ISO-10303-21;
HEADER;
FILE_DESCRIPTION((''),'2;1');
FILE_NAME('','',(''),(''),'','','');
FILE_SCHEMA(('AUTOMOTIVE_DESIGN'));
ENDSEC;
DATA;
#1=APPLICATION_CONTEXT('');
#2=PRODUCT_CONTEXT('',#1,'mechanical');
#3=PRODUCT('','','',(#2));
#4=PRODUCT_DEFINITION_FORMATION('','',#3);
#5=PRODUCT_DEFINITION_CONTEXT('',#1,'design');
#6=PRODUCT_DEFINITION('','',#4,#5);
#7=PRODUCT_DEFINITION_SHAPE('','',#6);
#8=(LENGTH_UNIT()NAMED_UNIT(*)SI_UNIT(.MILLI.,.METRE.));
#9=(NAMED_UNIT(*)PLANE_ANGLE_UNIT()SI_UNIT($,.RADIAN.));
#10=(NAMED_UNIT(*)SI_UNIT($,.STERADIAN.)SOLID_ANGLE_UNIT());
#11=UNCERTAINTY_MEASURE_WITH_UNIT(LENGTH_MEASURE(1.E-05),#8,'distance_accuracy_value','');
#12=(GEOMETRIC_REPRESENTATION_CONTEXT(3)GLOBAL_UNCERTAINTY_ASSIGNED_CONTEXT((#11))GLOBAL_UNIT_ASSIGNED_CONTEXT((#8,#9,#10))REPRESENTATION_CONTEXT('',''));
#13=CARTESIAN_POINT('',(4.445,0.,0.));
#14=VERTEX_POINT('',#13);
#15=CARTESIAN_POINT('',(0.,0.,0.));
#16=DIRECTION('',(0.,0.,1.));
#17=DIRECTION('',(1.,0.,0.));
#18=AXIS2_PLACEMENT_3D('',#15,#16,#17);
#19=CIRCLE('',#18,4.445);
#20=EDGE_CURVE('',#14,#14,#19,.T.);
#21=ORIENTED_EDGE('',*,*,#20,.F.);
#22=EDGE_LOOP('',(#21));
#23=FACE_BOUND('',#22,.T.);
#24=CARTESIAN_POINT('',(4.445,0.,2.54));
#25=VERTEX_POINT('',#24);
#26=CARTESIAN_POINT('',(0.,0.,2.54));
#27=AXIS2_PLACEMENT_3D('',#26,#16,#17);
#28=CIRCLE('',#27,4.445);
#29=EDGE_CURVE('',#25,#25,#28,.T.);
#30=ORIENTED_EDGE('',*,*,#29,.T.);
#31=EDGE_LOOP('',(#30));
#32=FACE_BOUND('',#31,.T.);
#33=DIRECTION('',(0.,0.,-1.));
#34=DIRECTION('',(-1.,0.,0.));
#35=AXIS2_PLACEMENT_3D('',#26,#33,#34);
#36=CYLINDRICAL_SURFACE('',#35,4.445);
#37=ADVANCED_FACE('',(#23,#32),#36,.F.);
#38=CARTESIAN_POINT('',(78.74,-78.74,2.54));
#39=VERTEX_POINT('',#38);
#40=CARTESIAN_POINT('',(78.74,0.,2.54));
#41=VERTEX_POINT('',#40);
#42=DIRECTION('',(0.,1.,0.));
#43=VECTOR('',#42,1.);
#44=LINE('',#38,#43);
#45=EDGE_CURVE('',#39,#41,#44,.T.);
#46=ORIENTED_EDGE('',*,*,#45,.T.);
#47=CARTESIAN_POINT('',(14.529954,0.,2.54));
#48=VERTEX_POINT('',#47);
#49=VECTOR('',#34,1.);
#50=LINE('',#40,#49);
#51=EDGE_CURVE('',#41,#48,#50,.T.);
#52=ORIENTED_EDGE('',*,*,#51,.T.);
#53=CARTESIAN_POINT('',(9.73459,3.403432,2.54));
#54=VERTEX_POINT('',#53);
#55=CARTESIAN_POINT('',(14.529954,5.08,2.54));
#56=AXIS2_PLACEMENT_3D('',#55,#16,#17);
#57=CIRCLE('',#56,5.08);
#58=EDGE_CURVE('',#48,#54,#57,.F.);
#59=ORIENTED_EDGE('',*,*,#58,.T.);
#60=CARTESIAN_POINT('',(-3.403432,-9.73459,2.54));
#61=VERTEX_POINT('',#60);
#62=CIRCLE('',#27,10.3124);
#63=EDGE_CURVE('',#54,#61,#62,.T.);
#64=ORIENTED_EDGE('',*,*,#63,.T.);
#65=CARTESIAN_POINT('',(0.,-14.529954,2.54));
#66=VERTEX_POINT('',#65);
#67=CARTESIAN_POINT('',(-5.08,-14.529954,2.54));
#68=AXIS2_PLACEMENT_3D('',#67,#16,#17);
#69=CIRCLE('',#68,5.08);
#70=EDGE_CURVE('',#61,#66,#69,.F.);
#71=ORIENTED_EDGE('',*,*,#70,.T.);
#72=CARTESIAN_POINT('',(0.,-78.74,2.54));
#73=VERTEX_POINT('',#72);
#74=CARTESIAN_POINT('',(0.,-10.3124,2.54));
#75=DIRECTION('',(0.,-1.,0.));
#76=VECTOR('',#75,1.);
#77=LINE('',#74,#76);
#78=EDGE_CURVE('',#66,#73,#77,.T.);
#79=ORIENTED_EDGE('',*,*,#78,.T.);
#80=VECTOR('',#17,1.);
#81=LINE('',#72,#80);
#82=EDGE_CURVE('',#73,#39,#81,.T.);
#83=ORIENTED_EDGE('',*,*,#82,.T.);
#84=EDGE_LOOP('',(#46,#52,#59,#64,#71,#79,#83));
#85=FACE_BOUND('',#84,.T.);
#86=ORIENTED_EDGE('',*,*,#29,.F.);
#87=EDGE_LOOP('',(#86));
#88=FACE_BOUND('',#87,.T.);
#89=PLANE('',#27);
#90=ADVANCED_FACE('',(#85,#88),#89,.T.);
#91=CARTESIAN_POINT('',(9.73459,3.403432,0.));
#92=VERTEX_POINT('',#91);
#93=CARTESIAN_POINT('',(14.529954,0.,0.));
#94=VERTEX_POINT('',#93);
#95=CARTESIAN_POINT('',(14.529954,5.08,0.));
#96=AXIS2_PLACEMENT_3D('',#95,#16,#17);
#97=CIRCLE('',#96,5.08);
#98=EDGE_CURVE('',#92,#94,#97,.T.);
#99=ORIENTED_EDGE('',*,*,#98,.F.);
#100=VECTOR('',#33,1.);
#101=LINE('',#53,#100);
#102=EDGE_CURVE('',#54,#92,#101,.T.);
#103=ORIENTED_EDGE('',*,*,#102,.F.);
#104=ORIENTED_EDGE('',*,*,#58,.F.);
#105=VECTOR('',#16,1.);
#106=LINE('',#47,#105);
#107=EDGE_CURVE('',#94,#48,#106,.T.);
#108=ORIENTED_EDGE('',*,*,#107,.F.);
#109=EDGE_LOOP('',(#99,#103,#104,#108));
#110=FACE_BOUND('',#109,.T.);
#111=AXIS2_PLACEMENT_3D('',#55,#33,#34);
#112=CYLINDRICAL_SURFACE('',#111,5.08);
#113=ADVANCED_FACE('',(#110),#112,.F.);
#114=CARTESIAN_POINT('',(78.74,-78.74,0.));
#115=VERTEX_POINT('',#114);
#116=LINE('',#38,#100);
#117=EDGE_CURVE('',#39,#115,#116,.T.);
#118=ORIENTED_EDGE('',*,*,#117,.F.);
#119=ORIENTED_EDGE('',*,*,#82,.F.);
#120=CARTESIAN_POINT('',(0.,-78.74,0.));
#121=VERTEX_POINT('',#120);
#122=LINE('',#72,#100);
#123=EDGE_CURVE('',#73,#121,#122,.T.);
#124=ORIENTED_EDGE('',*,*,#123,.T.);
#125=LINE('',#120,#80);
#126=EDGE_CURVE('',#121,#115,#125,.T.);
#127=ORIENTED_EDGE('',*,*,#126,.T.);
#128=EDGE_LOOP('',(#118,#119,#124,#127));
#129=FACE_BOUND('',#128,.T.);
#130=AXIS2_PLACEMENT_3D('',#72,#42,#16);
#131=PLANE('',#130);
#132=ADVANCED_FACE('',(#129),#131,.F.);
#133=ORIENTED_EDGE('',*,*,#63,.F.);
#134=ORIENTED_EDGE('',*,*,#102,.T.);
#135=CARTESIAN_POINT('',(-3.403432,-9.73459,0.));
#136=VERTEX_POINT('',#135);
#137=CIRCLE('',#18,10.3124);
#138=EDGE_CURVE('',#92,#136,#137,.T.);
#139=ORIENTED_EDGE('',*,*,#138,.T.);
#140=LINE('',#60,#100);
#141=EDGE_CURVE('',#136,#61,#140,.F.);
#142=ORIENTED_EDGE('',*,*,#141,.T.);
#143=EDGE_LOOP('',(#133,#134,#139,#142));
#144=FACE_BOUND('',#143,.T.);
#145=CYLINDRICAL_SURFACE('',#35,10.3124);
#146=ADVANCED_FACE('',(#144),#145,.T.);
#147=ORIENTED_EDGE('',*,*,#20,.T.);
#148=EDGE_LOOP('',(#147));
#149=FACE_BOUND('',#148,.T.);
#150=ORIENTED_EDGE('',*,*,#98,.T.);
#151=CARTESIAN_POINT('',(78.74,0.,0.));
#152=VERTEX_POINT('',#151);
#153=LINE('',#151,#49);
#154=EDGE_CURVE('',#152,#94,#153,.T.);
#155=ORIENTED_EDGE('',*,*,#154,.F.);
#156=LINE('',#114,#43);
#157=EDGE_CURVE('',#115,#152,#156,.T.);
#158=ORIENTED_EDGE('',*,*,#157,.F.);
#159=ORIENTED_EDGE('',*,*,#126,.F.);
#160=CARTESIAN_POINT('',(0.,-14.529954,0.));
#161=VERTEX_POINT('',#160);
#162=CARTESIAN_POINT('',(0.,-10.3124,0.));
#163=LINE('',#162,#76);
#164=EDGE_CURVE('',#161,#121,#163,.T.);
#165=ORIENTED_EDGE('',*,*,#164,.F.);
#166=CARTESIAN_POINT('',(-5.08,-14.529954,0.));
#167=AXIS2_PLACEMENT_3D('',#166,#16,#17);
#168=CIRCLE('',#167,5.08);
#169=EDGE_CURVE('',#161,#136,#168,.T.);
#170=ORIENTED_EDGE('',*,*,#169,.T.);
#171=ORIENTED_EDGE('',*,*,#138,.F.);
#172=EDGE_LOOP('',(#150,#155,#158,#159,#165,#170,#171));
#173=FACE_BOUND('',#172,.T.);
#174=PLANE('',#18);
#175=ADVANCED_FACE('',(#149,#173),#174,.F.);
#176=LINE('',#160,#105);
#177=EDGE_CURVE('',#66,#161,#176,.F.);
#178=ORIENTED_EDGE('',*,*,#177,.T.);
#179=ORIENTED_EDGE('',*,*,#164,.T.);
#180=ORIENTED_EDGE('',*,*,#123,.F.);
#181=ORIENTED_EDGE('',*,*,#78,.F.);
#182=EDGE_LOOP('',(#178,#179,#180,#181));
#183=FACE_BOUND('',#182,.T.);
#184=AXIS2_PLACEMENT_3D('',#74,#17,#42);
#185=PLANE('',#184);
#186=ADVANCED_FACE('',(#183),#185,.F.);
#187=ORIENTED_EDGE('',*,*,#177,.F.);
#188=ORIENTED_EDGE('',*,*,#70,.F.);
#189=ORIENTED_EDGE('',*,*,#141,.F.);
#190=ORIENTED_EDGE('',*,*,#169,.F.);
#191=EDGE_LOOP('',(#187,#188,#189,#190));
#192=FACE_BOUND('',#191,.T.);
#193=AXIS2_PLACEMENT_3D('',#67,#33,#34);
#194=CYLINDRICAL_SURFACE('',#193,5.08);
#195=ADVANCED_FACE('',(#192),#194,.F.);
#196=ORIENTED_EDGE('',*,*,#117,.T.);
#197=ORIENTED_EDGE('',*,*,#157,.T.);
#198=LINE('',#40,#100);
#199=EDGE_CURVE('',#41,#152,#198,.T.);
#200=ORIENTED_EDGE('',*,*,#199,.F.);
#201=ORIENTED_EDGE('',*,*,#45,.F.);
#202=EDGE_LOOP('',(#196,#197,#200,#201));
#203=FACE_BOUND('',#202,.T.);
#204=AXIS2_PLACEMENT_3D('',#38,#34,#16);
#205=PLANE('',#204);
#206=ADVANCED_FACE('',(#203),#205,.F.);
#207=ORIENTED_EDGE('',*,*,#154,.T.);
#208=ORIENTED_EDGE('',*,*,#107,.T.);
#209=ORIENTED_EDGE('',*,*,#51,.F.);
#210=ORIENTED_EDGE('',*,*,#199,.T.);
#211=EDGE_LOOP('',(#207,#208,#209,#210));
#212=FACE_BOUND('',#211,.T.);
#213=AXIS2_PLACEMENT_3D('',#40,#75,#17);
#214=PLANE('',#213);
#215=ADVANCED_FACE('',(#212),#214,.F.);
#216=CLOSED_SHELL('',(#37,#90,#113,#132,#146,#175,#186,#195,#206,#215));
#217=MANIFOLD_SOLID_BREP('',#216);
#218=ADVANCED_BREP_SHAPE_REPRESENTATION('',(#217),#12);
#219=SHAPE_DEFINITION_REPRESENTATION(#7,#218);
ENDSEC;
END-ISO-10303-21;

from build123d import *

# Parameters (mm, degrees)
SKETCH1_R           = 4.445
BOSS_EXTRUDE1_DEPTH = 2.54
FILLET1_R           = 5.08


with BuildPart() as part:
    # Sketch1 → Boss-Extrude1 (new body)
    with BuildSketch(Plane.XY):
        with BuildLine():
            Line((0, -10.3124), (0, -78.74))
            Line((0, -78.74), (78.74, -78.74))
            Line((78.74, -78.74), (78.74, 0))
            Line((78.74, 0), (10.3124, 0))
            ThreePointArc((10.3124, 0), (-7.29196797, 7.29196797), (0, -10.3124))
        make_face()
        Circle(SKETCH1_R, mode=Mode.SUBTRACT)
    extrude(amount=BOSS_EXTRUDE1_DEPTH)

    # Fillet1
    fillet1_edges = [part.edges().sort_by_distance(p)[0] for p in [
        (0, -10.3124, 1.27),
        (10.3124, 0, 1.27),
    ]]
    fillet(fillet1_edges, radius=FILLET1_R)


solid = part.part
